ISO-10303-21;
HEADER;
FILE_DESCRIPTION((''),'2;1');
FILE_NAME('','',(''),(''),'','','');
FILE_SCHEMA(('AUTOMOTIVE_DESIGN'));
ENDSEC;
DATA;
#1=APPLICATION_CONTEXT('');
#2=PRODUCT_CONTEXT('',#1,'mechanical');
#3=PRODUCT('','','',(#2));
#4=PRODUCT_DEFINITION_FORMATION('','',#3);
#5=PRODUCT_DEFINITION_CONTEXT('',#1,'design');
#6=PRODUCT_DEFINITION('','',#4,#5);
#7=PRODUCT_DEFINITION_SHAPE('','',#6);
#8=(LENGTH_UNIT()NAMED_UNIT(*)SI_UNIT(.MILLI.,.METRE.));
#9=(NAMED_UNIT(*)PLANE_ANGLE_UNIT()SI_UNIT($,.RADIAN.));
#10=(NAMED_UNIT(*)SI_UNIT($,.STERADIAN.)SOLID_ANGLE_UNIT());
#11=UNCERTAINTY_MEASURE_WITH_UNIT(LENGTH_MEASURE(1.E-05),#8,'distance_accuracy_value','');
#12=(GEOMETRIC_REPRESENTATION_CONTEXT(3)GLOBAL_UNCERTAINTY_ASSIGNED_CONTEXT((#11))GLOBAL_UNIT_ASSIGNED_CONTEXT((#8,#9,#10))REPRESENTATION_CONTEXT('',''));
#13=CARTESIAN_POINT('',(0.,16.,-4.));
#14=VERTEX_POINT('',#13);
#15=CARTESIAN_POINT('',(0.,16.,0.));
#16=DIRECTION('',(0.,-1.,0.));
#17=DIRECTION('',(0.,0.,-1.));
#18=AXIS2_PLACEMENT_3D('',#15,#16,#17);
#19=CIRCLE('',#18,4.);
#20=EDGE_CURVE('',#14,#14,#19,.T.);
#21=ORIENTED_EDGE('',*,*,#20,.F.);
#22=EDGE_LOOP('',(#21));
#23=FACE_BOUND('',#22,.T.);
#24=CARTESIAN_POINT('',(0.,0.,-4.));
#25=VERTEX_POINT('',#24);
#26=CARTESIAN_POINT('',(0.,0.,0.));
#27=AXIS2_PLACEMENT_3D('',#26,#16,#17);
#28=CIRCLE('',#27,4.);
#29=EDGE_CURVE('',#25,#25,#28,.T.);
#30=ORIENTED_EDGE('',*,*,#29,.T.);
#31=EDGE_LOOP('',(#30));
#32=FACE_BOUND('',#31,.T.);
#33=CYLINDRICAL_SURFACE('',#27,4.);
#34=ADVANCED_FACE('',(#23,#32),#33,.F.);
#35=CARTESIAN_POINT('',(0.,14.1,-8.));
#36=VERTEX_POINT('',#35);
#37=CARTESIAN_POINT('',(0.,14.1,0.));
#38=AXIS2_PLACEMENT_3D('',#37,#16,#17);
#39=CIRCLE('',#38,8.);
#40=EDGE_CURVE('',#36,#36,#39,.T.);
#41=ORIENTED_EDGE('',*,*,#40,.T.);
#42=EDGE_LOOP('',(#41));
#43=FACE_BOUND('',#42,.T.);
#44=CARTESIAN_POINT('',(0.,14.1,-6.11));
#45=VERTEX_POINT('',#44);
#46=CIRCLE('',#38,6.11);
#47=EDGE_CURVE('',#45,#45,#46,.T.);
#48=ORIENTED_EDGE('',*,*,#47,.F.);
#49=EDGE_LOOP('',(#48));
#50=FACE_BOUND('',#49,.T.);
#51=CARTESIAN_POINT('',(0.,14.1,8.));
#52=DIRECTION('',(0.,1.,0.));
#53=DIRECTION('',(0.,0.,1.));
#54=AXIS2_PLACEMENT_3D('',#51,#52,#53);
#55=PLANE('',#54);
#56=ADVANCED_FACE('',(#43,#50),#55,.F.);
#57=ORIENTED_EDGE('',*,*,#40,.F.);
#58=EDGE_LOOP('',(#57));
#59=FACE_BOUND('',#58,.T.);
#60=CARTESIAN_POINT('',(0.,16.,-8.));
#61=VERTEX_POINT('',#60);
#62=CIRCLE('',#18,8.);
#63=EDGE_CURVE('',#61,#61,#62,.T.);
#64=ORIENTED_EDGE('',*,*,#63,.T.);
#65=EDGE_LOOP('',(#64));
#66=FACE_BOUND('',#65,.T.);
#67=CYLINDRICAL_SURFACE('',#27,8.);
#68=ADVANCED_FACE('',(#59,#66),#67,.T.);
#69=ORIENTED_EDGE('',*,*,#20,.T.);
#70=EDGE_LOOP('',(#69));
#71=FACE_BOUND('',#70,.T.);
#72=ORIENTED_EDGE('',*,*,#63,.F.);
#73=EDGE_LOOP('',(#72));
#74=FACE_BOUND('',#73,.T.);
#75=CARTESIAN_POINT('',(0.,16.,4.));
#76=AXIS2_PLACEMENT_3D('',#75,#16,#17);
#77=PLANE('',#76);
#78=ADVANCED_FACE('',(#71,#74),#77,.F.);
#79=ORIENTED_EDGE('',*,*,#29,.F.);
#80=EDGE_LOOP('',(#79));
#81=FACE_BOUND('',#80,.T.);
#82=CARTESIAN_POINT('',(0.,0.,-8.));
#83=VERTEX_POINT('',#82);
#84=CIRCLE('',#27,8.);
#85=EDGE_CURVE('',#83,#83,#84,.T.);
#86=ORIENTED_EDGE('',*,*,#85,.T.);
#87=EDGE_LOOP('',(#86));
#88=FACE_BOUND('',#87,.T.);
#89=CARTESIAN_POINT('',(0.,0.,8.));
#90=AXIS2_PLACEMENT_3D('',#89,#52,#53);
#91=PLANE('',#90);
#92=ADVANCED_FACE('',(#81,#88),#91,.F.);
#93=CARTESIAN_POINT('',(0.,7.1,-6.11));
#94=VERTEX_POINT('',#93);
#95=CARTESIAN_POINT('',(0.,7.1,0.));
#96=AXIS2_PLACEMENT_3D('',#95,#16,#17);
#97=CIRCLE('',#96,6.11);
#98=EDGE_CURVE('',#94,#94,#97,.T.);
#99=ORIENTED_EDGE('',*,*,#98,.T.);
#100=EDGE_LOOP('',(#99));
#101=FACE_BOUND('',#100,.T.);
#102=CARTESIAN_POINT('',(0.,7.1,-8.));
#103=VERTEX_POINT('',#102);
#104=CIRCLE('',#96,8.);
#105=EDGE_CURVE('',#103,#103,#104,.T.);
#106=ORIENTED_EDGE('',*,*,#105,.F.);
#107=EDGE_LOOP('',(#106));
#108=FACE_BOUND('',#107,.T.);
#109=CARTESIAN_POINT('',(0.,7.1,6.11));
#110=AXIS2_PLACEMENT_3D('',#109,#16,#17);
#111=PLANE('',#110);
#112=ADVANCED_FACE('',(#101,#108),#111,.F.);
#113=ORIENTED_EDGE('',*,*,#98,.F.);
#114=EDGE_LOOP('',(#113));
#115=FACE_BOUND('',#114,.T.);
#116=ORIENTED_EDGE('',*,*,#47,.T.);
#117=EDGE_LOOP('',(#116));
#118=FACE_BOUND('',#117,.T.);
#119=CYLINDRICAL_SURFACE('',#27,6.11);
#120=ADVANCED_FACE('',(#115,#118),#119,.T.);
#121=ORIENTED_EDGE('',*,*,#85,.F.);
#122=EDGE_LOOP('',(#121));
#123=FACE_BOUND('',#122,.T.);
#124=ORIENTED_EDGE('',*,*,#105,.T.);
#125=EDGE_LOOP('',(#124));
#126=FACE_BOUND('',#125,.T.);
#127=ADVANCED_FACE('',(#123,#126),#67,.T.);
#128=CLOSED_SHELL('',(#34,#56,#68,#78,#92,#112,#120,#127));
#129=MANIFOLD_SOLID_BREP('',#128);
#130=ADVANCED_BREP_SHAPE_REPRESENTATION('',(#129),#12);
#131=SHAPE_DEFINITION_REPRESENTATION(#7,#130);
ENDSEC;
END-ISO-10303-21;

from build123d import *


with BuildPart() as part:
    # Sketch3 → Revolve1 (revolve)
    with BuildSketch(Plane(origin=(0, 0, 0), x_dir=(0, 0, -1), z_dir=(1, 0, 0))):
        Polygon((-4, 0), (-4, 16), (-8, 16), (-8, 14.1), (-6.11, 14.1), (-6.11, 7.1), (-8, 7.1), (-8, 0), align=None)
    revolve(axis=Axis((0, 0, 0), (0, 1, 0)))


solid = part.part
